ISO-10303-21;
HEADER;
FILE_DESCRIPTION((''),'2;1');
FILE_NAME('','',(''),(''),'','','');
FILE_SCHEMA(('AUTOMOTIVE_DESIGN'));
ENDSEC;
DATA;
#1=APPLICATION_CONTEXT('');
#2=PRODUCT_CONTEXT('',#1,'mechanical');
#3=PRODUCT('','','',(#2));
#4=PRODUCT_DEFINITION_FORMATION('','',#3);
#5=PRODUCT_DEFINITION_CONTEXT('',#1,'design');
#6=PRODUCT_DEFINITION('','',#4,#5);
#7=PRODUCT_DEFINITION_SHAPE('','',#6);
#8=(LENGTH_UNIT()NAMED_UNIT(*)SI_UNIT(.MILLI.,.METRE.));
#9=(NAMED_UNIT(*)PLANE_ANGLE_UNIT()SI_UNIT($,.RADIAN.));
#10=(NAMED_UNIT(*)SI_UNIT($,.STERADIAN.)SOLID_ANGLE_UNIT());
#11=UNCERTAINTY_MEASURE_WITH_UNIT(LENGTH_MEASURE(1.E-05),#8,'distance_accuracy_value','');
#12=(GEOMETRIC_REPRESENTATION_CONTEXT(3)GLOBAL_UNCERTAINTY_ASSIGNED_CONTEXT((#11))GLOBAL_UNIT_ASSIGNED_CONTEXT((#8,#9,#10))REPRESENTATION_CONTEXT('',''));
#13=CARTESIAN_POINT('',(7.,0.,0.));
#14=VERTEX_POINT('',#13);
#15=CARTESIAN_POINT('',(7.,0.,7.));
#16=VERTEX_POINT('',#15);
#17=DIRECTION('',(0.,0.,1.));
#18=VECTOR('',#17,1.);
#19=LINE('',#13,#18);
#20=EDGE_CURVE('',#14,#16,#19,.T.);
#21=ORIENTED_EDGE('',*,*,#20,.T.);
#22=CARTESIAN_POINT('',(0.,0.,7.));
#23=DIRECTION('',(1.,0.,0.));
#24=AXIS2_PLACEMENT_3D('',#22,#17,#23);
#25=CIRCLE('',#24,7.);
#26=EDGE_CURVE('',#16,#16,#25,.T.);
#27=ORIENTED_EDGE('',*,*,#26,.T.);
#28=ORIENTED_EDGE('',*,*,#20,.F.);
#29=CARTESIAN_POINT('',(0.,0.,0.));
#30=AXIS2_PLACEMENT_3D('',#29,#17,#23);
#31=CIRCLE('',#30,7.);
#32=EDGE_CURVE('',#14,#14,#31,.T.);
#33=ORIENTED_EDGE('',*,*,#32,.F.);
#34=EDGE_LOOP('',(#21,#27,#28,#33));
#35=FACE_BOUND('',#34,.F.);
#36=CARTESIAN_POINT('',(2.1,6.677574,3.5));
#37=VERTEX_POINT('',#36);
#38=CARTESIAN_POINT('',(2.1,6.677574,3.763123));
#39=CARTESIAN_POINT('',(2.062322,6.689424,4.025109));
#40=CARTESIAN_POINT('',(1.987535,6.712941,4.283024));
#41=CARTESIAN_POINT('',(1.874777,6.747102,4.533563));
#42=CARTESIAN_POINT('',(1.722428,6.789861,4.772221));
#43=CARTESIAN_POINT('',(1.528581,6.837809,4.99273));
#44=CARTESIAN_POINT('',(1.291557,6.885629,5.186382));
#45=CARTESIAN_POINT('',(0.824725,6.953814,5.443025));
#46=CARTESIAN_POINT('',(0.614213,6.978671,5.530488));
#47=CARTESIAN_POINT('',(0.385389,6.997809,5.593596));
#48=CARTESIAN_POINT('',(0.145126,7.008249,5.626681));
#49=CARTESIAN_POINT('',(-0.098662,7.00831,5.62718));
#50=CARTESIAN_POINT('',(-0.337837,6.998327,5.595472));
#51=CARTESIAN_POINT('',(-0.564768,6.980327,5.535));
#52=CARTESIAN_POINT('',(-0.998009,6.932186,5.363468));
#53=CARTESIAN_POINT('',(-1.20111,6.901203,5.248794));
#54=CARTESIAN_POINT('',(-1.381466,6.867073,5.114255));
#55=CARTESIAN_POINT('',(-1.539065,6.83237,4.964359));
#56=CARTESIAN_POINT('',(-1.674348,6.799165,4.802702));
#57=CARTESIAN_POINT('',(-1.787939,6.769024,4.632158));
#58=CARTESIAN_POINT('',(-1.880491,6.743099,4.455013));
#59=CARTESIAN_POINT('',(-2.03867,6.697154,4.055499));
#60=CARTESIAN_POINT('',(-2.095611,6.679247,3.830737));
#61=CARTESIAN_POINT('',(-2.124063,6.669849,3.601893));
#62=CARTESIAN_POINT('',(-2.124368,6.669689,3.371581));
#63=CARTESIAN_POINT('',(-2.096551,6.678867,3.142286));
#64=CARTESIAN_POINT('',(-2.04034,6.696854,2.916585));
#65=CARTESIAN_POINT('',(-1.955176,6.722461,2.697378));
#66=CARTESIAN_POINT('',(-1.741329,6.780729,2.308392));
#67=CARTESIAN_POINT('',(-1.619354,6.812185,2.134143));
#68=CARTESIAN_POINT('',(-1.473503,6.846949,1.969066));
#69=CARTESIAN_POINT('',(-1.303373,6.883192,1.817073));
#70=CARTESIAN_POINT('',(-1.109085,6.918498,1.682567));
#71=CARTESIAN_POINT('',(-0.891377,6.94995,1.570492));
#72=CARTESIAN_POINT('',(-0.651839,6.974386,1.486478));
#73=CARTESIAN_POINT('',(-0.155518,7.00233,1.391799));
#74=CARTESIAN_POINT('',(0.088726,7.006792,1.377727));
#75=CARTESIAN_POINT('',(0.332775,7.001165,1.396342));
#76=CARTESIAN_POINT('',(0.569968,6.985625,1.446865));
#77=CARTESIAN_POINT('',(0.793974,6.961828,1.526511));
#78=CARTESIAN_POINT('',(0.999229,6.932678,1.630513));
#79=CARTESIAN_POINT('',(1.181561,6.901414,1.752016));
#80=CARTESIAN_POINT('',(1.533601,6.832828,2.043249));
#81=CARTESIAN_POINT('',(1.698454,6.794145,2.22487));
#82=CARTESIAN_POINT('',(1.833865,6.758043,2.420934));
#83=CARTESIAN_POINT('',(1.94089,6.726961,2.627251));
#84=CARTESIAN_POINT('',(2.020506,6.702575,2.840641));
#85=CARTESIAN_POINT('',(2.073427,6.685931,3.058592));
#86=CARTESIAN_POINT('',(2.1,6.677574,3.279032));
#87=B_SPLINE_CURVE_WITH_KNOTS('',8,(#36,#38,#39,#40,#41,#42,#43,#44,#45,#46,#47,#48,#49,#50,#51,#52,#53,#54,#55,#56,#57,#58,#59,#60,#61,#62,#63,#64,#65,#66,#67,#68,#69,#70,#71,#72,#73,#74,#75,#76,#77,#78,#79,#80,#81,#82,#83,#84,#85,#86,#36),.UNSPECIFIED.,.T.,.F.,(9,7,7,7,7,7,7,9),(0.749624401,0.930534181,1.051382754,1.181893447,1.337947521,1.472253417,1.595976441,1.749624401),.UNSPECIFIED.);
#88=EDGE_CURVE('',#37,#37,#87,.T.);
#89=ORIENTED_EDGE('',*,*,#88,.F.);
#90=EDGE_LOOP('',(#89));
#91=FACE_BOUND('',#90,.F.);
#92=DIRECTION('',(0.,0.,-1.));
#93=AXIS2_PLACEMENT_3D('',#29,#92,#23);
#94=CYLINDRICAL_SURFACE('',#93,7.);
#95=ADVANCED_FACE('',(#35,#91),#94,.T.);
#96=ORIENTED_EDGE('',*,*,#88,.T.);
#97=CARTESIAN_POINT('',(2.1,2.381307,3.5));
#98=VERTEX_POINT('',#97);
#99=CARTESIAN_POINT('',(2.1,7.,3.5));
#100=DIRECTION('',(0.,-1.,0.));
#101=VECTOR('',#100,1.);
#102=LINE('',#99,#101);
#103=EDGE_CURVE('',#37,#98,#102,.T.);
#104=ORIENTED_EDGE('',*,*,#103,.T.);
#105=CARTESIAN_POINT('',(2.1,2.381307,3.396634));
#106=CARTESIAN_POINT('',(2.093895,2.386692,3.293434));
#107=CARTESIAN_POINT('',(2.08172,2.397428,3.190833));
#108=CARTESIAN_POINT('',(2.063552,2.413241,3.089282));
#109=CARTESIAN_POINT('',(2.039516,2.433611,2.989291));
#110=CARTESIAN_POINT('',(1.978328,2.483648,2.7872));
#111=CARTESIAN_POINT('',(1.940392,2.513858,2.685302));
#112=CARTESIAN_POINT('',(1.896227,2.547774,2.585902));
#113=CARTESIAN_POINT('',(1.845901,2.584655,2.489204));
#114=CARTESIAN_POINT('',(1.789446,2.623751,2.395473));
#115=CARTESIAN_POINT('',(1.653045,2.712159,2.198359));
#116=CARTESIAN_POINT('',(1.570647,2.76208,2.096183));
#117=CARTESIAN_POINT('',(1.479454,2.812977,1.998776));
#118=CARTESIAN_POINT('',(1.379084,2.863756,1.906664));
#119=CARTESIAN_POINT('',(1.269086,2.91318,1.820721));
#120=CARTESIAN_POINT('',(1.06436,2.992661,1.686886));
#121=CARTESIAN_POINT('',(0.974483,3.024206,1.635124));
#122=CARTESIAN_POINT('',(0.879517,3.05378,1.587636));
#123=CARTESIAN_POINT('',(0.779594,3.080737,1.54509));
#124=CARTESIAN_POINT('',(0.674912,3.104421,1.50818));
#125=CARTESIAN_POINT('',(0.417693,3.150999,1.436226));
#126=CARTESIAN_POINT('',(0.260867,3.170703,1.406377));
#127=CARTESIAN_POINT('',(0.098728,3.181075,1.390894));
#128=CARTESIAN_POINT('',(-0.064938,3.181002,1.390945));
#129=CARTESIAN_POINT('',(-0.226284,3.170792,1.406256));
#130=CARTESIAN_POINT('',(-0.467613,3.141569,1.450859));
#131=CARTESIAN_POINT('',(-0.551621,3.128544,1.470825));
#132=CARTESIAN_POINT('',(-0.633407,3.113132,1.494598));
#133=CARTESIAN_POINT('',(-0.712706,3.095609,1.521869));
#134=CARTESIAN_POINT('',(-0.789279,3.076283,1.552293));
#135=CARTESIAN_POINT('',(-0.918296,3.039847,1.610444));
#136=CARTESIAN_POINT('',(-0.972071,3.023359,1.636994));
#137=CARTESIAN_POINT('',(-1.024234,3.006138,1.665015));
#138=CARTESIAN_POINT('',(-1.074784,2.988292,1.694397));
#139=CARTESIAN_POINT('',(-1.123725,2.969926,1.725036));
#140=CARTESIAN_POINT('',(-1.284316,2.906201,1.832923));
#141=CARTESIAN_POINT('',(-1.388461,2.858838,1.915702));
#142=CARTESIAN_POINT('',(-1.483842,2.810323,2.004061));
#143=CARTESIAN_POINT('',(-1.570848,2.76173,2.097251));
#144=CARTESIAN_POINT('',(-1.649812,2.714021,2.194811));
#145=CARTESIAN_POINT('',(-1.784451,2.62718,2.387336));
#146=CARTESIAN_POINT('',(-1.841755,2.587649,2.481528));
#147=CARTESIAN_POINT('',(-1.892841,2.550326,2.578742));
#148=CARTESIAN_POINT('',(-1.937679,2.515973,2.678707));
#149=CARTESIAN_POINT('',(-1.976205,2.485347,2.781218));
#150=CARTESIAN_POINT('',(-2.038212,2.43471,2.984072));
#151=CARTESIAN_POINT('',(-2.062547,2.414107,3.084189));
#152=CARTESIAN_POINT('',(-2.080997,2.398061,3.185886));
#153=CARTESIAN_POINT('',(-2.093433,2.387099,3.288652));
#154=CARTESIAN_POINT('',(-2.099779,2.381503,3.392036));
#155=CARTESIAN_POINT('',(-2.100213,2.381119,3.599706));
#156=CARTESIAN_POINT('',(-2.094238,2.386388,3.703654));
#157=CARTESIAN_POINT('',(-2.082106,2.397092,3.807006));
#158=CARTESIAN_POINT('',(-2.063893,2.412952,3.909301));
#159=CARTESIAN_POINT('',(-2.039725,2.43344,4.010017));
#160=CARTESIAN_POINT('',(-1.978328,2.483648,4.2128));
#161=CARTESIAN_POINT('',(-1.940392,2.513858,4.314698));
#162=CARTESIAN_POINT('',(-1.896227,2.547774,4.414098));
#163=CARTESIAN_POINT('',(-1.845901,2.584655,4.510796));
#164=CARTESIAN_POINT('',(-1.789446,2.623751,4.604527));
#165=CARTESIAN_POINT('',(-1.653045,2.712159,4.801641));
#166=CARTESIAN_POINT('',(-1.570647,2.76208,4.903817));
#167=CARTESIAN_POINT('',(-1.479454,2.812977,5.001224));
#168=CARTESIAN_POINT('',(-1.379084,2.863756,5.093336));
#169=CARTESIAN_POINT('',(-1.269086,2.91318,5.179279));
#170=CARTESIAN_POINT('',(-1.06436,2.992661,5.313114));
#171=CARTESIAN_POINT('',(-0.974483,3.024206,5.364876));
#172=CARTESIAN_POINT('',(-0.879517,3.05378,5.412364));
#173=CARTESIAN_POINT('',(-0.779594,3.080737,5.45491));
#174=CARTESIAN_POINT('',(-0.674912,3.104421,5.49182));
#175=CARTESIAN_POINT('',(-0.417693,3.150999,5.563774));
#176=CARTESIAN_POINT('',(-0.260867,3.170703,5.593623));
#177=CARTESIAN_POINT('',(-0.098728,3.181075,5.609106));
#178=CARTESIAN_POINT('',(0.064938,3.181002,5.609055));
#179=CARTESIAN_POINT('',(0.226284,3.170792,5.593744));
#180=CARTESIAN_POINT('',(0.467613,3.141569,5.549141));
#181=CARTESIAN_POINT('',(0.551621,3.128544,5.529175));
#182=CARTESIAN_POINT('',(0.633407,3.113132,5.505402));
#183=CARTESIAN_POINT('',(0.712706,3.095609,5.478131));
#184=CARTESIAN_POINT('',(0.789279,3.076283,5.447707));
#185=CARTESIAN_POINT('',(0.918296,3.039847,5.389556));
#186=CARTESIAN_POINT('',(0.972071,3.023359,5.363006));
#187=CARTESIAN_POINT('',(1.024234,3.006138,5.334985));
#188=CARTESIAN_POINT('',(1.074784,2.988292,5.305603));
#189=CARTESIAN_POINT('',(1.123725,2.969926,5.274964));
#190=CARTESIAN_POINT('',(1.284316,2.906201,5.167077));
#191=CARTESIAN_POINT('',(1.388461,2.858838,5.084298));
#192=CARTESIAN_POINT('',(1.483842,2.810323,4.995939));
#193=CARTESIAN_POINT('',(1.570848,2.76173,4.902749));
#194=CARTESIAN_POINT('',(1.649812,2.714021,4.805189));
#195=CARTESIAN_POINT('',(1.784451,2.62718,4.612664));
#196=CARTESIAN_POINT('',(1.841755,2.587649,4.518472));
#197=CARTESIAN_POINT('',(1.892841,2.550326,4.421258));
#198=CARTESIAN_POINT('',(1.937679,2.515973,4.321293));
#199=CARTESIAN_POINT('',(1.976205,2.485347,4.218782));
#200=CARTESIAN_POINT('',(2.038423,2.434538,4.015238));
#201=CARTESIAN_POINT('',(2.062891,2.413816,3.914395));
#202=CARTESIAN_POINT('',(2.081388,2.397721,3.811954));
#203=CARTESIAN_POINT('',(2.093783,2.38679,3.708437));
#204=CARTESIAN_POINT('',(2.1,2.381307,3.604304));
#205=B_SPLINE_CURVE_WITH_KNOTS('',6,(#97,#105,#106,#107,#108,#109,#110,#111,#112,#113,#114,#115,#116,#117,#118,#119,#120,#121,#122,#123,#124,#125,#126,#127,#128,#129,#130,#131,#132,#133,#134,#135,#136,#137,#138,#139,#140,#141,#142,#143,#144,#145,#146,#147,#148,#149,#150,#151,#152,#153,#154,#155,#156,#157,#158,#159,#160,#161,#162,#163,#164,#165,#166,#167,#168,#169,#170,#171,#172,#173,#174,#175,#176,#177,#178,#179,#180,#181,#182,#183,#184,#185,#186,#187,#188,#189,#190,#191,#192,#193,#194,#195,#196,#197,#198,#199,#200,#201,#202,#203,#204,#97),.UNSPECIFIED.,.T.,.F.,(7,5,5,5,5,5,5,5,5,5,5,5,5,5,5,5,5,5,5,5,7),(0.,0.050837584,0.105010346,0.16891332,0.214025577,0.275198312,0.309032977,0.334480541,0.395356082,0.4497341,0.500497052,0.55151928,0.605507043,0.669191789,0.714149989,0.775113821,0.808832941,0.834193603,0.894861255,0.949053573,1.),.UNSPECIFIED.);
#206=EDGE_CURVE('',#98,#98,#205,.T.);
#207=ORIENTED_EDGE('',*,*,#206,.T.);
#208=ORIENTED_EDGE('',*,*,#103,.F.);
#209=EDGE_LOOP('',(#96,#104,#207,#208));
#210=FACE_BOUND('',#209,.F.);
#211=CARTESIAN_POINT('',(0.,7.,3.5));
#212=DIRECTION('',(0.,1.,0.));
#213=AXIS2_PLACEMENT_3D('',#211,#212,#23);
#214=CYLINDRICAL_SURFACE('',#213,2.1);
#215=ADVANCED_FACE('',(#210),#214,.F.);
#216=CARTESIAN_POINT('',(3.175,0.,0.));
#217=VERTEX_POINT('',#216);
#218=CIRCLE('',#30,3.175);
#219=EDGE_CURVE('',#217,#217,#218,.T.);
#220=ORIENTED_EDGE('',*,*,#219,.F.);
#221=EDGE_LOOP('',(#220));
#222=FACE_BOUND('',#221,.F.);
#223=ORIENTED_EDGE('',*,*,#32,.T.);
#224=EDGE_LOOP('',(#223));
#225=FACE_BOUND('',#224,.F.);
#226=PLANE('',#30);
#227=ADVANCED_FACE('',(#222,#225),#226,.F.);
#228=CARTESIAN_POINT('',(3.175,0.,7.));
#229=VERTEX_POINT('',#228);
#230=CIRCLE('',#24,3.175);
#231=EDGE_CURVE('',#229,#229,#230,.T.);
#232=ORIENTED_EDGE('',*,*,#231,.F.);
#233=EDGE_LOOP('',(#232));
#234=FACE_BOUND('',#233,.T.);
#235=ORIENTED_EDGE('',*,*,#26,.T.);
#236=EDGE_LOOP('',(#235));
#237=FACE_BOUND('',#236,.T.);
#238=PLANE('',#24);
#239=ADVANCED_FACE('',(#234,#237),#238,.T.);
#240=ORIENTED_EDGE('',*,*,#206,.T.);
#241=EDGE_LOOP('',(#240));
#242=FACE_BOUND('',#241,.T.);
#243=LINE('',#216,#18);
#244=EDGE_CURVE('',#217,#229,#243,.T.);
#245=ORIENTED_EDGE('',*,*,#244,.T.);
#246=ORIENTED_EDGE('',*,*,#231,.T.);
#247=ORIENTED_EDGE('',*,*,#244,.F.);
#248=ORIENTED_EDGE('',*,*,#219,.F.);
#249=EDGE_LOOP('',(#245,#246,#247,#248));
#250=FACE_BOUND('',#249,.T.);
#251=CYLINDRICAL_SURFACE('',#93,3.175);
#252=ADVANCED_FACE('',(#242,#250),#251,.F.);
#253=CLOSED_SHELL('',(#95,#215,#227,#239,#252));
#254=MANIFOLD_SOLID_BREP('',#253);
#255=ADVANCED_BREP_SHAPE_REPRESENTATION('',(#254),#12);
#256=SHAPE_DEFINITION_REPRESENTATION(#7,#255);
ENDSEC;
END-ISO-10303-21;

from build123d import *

# Parameters (mm, degrees)
SKETCH1_R                  = 7
SKETCH1_R_2                = 3.175
BOSS_EXTRUDE1_DEPTH        = 7
M5X0_8_TAPPED_HOLE1_REACH  = 19.146
M5X0_8_TAPPED_HOLE1_BORE_R = 2.1


with BuildPart() as part:
    # Sketch1 → Boss-Extrude1 (new body)
    with BuildSketch(Plane.XY):
        Circle(SKETCH1_R)
        Circle(SKETCH1_R_2, mode=Mode.SUBTRACT)
    extrude(amount=BOSS_EXTRUDE1_DEPTH)

    # M5x0.8 Tapped Hole1 bore → M5x0.8 Tapped Hole1 (cut, up to next)
    with BuildSketch(Plane(origin=(0, 7, 0), x_dir=(1, 0, 0), z_dir=(0, 1, 0)), mode=Mode.PRIVATE) as m5x0_8_tapped_hole1_sk1:
        with Locations((0, -3.5)):
            Circle(M5X0_8_TAPPED_HOLE1_BORE_R)
    m5x0_8_tapped_hole1_tool1 = extrude(m5x0_8_tapped_hole1_sk1.sketch, amount=-M5X0_8_TAPPED_HOLE1_REACH, mode=Mode.PRIVATE) & part.part
    add(m5x0_8_tapped_hole1_tool1.solids().sort_by_distance((0, 7, 3.5))[0], mode=Mode.SUBTRACT)


solid = part.part
